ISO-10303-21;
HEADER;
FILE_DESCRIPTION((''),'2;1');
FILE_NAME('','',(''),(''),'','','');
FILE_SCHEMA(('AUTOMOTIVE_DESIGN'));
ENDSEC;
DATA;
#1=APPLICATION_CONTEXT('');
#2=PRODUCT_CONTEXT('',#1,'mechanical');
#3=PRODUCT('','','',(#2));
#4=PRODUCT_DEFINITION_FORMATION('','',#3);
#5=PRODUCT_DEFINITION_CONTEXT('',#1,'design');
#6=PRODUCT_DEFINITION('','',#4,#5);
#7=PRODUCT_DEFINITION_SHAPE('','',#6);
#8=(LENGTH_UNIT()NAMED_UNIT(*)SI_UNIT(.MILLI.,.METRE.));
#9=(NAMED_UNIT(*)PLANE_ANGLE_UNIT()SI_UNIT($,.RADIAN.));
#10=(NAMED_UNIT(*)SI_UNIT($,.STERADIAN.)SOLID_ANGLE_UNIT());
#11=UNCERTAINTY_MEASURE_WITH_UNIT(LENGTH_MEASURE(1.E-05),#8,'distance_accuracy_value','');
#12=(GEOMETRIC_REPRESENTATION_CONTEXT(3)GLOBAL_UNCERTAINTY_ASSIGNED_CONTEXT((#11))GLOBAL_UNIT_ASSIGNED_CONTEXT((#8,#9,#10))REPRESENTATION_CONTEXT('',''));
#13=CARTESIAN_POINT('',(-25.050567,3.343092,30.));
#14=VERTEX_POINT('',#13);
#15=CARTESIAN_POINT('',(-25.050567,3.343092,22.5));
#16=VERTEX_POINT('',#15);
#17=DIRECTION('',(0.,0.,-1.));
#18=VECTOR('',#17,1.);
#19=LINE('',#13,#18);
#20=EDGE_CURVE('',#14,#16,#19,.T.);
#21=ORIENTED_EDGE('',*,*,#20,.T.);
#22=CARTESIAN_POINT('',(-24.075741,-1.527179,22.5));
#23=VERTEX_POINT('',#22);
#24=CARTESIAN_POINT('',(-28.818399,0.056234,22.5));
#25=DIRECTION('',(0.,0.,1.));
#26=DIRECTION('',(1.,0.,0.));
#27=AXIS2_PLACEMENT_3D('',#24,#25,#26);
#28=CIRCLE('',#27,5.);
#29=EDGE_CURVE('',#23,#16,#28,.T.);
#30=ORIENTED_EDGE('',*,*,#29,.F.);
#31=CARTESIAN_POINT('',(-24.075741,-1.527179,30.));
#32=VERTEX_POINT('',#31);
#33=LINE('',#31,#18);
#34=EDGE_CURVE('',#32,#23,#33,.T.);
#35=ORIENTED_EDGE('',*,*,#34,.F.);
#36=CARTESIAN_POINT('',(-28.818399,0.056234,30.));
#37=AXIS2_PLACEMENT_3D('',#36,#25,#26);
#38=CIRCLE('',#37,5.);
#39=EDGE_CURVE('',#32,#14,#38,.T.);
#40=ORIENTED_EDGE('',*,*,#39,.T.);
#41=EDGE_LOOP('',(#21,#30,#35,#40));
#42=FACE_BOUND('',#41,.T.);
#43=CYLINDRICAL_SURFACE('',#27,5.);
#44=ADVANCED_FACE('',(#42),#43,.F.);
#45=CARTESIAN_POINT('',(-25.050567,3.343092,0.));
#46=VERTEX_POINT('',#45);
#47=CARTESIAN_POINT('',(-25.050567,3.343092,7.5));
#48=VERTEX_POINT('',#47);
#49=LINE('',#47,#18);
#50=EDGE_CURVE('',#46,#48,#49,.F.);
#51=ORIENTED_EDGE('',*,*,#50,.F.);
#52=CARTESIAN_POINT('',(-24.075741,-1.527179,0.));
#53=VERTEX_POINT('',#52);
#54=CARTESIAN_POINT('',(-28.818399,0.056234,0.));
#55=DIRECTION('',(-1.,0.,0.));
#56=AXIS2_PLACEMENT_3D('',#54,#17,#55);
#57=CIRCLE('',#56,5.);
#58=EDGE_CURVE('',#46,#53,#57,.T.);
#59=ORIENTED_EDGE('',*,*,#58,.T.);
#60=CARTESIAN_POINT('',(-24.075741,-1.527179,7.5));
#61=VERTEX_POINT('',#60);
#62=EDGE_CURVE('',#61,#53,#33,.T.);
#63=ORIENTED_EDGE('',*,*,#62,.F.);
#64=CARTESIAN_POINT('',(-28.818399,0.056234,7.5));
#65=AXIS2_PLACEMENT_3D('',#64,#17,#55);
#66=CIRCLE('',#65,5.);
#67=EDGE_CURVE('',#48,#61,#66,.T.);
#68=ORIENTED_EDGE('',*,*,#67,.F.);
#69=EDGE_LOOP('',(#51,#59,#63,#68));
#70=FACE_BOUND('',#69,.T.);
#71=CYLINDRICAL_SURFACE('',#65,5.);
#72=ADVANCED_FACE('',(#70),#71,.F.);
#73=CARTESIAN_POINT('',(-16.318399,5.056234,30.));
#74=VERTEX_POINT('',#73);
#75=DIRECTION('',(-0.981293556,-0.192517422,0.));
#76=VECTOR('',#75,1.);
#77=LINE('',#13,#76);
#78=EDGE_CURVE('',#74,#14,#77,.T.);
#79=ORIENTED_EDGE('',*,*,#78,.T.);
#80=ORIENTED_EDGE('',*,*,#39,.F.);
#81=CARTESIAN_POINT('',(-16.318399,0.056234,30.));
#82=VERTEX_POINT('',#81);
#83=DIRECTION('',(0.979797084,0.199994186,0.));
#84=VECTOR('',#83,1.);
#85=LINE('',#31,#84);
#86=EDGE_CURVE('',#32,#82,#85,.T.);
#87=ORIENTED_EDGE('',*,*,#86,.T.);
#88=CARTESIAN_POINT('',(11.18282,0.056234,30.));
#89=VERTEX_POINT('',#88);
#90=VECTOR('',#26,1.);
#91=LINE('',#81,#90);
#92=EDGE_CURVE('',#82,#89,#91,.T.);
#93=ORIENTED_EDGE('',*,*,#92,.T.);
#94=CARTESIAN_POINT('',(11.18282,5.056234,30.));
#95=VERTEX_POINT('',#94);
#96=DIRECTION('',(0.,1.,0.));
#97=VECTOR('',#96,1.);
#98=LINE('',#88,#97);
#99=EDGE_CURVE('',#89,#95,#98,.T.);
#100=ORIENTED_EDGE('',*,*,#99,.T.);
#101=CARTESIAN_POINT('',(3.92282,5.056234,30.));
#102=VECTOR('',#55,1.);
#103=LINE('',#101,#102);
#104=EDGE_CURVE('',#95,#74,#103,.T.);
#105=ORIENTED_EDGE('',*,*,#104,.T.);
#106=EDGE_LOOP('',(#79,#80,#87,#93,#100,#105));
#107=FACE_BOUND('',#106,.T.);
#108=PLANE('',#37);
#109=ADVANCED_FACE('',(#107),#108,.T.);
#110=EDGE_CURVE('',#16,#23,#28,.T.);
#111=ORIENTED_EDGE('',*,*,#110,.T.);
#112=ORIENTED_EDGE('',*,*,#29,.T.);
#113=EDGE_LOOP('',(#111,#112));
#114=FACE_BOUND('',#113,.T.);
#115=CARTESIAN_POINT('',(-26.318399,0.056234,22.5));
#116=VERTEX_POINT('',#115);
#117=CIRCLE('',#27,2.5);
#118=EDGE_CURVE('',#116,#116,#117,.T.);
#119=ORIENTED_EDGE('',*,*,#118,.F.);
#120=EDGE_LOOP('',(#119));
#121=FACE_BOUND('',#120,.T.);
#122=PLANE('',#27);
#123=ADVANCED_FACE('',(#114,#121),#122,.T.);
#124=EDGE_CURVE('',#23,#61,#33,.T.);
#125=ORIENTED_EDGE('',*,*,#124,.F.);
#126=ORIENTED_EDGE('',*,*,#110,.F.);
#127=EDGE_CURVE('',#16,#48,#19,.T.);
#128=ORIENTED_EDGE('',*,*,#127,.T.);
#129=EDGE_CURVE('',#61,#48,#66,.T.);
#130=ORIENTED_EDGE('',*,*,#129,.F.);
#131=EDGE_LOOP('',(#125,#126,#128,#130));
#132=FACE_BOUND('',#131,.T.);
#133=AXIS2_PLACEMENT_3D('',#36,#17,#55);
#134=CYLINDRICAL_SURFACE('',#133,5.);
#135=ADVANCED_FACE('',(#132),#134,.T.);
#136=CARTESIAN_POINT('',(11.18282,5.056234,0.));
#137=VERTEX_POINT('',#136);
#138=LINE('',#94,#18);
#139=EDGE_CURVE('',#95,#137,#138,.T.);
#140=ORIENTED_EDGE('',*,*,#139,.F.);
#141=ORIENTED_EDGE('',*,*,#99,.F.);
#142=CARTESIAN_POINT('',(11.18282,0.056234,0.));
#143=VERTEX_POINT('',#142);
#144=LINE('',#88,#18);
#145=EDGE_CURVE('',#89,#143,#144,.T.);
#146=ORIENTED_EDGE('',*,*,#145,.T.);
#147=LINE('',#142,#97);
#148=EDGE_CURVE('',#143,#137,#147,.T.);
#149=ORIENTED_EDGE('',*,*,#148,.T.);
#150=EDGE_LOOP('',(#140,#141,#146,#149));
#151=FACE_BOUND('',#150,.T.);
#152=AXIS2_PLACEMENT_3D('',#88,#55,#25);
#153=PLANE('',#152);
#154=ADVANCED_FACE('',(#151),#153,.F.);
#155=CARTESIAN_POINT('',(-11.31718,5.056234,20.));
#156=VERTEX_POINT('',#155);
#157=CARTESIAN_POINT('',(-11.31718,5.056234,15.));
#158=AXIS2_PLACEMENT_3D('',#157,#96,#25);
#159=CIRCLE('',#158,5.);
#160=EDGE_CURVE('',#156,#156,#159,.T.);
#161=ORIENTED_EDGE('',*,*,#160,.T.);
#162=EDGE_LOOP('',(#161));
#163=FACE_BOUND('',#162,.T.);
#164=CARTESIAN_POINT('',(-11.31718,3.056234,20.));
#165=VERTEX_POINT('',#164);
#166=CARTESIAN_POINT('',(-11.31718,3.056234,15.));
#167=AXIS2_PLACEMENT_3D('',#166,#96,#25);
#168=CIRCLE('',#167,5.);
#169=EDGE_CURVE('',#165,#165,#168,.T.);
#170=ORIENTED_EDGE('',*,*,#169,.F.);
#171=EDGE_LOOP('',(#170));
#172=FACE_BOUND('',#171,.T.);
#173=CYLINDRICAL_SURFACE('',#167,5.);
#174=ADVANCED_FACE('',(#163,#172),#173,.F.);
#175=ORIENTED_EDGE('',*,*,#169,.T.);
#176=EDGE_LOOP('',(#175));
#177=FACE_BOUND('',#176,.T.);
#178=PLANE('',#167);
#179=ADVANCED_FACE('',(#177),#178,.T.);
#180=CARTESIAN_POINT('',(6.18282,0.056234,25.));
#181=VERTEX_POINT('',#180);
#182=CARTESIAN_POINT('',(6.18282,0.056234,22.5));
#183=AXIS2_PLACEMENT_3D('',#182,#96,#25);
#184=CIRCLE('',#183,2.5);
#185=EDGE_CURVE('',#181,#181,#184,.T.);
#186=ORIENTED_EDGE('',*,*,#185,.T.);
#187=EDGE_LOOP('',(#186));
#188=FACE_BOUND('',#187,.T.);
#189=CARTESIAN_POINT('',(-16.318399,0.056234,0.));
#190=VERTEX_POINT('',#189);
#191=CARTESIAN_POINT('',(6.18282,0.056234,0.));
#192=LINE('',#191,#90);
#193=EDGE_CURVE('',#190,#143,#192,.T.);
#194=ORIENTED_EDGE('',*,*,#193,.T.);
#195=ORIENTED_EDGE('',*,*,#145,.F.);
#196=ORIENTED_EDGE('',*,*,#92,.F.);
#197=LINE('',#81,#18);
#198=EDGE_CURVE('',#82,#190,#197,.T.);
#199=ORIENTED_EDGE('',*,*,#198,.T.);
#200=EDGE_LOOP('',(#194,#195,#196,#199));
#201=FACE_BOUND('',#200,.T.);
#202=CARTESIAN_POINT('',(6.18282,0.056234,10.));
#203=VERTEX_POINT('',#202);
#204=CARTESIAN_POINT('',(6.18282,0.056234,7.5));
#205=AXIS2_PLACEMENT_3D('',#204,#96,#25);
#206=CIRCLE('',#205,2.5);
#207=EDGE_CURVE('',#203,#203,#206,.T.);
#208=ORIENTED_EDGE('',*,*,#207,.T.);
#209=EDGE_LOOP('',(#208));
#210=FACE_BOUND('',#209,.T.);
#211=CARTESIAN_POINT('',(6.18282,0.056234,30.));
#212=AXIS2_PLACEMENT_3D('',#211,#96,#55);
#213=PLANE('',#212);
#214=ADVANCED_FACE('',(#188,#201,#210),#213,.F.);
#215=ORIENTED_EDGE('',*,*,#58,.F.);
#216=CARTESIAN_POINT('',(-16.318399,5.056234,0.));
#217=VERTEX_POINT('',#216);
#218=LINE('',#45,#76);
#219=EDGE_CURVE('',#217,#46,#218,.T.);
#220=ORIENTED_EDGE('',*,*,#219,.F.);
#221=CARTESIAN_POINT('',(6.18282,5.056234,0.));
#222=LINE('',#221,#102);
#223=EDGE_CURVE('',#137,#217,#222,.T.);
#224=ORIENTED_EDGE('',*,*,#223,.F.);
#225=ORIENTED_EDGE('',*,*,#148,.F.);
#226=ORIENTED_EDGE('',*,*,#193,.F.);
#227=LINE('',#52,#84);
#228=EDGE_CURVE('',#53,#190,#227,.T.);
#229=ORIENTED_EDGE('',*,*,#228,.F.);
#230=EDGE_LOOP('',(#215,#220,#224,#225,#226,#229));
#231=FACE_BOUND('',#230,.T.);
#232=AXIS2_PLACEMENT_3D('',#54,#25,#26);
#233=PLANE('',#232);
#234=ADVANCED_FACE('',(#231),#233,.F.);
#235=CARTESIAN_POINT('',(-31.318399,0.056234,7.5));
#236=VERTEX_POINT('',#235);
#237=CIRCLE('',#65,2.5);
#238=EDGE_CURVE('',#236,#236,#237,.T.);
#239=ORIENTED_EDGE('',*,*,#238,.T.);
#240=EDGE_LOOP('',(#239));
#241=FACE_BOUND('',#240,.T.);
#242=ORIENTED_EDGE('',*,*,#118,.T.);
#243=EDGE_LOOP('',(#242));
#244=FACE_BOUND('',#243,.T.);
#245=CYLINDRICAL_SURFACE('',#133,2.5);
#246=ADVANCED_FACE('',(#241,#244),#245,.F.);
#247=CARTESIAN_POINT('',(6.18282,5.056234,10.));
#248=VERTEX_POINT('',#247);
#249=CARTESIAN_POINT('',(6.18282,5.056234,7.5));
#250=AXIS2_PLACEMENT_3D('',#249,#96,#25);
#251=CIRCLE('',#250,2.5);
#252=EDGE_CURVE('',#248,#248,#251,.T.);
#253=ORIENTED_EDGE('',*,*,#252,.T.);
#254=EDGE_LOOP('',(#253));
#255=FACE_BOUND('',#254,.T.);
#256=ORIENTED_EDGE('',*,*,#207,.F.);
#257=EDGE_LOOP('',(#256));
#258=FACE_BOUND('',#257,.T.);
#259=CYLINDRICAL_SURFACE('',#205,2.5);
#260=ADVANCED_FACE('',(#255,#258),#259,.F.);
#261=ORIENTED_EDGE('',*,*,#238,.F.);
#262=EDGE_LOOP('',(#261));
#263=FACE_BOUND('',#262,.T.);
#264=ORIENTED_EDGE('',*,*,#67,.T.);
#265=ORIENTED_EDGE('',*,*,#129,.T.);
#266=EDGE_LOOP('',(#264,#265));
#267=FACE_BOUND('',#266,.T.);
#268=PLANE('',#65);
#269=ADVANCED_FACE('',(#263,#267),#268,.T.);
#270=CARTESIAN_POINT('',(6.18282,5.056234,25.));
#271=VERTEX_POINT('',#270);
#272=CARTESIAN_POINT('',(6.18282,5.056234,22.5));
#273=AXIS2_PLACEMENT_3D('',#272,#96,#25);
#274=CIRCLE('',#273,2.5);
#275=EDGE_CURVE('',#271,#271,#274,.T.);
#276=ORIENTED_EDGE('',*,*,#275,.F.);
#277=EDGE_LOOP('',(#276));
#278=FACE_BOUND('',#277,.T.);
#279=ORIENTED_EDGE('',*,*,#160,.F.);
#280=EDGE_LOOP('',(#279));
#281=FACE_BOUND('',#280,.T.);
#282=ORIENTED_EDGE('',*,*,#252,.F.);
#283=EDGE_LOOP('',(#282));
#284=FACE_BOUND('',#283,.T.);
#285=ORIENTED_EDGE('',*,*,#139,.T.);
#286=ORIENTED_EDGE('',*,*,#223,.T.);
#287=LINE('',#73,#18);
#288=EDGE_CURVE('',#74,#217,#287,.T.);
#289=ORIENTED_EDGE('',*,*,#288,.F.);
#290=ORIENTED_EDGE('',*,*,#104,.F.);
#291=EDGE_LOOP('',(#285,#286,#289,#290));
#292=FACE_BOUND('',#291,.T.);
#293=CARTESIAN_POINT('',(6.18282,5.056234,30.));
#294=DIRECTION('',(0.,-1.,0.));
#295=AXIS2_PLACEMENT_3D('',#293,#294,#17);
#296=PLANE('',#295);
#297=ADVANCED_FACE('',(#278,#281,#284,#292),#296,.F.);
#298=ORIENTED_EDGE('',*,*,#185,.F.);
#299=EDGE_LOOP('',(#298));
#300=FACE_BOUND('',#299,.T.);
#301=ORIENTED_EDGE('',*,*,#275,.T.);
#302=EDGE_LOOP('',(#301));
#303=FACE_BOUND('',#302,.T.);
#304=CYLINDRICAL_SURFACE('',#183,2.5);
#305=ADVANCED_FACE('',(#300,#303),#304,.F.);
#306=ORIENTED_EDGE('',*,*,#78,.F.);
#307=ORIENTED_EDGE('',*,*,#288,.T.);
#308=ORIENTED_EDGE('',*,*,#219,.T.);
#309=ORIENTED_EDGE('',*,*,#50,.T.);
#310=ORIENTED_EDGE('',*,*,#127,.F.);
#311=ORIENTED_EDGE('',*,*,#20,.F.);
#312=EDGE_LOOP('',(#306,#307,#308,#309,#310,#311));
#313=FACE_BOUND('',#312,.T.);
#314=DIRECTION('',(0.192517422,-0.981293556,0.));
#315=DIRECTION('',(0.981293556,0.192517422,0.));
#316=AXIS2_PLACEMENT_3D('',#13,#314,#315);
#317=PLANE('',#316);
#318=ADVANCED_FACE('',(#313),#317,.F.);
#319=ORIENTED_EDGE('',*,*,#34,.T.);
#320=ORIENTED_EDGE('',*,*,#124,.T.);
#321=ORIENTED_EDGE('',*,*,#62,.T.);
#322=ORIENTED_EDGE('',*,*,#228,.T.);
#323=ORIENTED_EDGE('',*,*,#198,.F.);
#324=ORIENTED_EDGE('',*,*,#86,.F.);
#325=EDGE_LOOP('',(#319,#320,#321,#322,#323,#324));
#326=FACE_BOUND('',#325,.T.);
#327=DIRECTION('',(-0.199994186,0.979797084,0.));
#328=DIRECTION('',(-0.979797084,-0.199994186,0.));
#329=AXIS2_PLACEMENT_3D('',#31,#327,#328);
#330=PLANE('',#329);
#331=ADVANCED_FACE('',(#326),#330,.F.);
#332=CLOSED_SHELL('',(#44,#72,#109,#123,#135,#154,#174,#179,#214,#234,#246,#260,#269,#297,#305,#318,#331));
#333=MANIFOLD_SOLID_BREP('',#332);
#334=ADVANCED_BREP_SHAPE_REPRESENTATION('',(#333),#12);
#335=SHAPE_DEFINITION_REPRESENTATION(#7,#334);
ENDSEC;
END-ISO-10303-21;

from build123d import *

# Parameters (mm, degrees)
Y_KSEKLIK_EKSTR_ZYON1_DEPTH = 30
KES_EKSTR_ZYON1_START       = -30
IZIM2_R                     = 2.5
KES_EKSTR_ZYON1_DEPTH       = 30
KES_EKSTR_ZYON3_START       = -7.5
IZIM6_R                     = 5
KES_EKSTR_ZYON3_DEPTH       = 7.5
IZIM7_R                     = 5
KES_EKSTR_ZYON4_DEPTH       = 7.5
IZIM9_R                     = 5
KES_EKSTR_ZYON6_DEPTH       = 2
IZIM10_R                    = 2.5
KES_EKSTR_ZYON7_DEPTH       = 5


with BuildPart() as part:
    # Çizim1 → Yükseklik-Ekstrüzyon1 (new body)
    with BuildSketch(Plane.XY):
        with BuildLine():
            Line((-25.050567114, 3.343092307), (-16.318399297, 5.056233526))
            Line((-16.318399297, 5.056233526), (3.922819568, 5.056233526))
            Line((3.922819568, 5.056233526), (6.182819568, 5.056233526))
            Line((6.182819568, 5.056233526), (11.182819568, 5.056233526))
            Line((11.182819568, 5.056233526), (11.182819568, 0.056233526))
            Line((11.182819568, 0.056233526), (6.182819568, 0.056233526))
            Line((6.182819568, 0.056233526), (3.922819568, 0.056233526))
            Line((3.922819568, 0.056233526), (-16.318399297, 0.056233526))
            Line((-16.318399297, 0.056233526), (-24.07574143, -1.527179355))
            ThreePointArc((-24.07574143, -1.527179355), (-33.721153292, -0.925093769), (-25.050567114, 3.343092307))
        make_face()
        with BuildLine():
            Line((-28.337105741, -2.397000362), (-28.299750993, -2.389375587))
            ThreePointArc((-28.299750993, -2.389375587), (-28.318413832, -2.393259183), (-28.337105741, -2.397000362))
        make_face(mode=Mode.SUBTRACT)
    extrude(amount=Y_KSEKLIK_EKSTR_ZYON1_DEPTH)

    # Çizim2 → Kes-Ekstrüzyon1 (cut)
    with BuildSketch(Plane.XY.offset(30).offset(KES_EKSTR_ZYON1_START)):
        with Locations((-28.818399297, 0.056233526)):
            Circle(IZIM2_R)
    extrude(amount=KES_EKSTR_ZYON1_DEPTH, mode=Mode.SUBTRACT)

    # Çizim6 → Kes-Ekstrüzyon3 (cut)
    with BuildSketch(Plane.XY.offset(30).offset(KES_EKSTR_ZYON3_START)):
        with Locations((-28.818399297, 0.056233526)):
            Circle(IZIM6_R)
    extrude(amount=KES_EKSTR_ZYON3_DEPTH, mode=Mode.SUBTRACT)

    # Çizim7 → Kes-Ekstrüzyon4 (cut)
    with BuildSketch(Plane(origin=(0, 0, 0), x_dir=(-1, 0, 0), z_dir=(0, 0, -1))):
        with Locations((28.818399297, 0.056233526)):
            Circle(IZIM7_R)
    extrude(amount=-KES_EKSTR_ZYON4_DEPTH, mode=Mode.SUBTRACT)

    # Çizim9 → Kes-Ekstrüzyon6 (cut)
    with BuildSketch(Plane(origin=(0, 5.056233526, 0), x_dir=(1, 0, 0), z_dir=(0, 1, 0))):
        with Locations(Location((-11.317180432, -15, 0), (0, 0, 270))):
            Circle(IZIM9_R)
    extrude(amount=-KES_EKSTR_ZYON6_DEPTH, mode=Mode.SUBTRACT)

    # Çizim10 → Kes-Ekstrüzyon7 (cut)
    with BuildSketch(Plane(origin=(0, 5.056233526, 0), x_dir=(1, 0, 0), z_dir=(0, 1, 0))):
        with Locations(Location((6.182819568, -22.5, 0), (0, 0, 270))):
            Circle(IZIM10_R)
        with Locations(Location((6.182819568, -7.5, 0), (0, 0, 270))):
            Circle(IZIM10_R)
    extrude(amount=-KES_EKSTR_ZYON7_DEPTH, mode=Mode.SUBTRACT)


solid = part.part
